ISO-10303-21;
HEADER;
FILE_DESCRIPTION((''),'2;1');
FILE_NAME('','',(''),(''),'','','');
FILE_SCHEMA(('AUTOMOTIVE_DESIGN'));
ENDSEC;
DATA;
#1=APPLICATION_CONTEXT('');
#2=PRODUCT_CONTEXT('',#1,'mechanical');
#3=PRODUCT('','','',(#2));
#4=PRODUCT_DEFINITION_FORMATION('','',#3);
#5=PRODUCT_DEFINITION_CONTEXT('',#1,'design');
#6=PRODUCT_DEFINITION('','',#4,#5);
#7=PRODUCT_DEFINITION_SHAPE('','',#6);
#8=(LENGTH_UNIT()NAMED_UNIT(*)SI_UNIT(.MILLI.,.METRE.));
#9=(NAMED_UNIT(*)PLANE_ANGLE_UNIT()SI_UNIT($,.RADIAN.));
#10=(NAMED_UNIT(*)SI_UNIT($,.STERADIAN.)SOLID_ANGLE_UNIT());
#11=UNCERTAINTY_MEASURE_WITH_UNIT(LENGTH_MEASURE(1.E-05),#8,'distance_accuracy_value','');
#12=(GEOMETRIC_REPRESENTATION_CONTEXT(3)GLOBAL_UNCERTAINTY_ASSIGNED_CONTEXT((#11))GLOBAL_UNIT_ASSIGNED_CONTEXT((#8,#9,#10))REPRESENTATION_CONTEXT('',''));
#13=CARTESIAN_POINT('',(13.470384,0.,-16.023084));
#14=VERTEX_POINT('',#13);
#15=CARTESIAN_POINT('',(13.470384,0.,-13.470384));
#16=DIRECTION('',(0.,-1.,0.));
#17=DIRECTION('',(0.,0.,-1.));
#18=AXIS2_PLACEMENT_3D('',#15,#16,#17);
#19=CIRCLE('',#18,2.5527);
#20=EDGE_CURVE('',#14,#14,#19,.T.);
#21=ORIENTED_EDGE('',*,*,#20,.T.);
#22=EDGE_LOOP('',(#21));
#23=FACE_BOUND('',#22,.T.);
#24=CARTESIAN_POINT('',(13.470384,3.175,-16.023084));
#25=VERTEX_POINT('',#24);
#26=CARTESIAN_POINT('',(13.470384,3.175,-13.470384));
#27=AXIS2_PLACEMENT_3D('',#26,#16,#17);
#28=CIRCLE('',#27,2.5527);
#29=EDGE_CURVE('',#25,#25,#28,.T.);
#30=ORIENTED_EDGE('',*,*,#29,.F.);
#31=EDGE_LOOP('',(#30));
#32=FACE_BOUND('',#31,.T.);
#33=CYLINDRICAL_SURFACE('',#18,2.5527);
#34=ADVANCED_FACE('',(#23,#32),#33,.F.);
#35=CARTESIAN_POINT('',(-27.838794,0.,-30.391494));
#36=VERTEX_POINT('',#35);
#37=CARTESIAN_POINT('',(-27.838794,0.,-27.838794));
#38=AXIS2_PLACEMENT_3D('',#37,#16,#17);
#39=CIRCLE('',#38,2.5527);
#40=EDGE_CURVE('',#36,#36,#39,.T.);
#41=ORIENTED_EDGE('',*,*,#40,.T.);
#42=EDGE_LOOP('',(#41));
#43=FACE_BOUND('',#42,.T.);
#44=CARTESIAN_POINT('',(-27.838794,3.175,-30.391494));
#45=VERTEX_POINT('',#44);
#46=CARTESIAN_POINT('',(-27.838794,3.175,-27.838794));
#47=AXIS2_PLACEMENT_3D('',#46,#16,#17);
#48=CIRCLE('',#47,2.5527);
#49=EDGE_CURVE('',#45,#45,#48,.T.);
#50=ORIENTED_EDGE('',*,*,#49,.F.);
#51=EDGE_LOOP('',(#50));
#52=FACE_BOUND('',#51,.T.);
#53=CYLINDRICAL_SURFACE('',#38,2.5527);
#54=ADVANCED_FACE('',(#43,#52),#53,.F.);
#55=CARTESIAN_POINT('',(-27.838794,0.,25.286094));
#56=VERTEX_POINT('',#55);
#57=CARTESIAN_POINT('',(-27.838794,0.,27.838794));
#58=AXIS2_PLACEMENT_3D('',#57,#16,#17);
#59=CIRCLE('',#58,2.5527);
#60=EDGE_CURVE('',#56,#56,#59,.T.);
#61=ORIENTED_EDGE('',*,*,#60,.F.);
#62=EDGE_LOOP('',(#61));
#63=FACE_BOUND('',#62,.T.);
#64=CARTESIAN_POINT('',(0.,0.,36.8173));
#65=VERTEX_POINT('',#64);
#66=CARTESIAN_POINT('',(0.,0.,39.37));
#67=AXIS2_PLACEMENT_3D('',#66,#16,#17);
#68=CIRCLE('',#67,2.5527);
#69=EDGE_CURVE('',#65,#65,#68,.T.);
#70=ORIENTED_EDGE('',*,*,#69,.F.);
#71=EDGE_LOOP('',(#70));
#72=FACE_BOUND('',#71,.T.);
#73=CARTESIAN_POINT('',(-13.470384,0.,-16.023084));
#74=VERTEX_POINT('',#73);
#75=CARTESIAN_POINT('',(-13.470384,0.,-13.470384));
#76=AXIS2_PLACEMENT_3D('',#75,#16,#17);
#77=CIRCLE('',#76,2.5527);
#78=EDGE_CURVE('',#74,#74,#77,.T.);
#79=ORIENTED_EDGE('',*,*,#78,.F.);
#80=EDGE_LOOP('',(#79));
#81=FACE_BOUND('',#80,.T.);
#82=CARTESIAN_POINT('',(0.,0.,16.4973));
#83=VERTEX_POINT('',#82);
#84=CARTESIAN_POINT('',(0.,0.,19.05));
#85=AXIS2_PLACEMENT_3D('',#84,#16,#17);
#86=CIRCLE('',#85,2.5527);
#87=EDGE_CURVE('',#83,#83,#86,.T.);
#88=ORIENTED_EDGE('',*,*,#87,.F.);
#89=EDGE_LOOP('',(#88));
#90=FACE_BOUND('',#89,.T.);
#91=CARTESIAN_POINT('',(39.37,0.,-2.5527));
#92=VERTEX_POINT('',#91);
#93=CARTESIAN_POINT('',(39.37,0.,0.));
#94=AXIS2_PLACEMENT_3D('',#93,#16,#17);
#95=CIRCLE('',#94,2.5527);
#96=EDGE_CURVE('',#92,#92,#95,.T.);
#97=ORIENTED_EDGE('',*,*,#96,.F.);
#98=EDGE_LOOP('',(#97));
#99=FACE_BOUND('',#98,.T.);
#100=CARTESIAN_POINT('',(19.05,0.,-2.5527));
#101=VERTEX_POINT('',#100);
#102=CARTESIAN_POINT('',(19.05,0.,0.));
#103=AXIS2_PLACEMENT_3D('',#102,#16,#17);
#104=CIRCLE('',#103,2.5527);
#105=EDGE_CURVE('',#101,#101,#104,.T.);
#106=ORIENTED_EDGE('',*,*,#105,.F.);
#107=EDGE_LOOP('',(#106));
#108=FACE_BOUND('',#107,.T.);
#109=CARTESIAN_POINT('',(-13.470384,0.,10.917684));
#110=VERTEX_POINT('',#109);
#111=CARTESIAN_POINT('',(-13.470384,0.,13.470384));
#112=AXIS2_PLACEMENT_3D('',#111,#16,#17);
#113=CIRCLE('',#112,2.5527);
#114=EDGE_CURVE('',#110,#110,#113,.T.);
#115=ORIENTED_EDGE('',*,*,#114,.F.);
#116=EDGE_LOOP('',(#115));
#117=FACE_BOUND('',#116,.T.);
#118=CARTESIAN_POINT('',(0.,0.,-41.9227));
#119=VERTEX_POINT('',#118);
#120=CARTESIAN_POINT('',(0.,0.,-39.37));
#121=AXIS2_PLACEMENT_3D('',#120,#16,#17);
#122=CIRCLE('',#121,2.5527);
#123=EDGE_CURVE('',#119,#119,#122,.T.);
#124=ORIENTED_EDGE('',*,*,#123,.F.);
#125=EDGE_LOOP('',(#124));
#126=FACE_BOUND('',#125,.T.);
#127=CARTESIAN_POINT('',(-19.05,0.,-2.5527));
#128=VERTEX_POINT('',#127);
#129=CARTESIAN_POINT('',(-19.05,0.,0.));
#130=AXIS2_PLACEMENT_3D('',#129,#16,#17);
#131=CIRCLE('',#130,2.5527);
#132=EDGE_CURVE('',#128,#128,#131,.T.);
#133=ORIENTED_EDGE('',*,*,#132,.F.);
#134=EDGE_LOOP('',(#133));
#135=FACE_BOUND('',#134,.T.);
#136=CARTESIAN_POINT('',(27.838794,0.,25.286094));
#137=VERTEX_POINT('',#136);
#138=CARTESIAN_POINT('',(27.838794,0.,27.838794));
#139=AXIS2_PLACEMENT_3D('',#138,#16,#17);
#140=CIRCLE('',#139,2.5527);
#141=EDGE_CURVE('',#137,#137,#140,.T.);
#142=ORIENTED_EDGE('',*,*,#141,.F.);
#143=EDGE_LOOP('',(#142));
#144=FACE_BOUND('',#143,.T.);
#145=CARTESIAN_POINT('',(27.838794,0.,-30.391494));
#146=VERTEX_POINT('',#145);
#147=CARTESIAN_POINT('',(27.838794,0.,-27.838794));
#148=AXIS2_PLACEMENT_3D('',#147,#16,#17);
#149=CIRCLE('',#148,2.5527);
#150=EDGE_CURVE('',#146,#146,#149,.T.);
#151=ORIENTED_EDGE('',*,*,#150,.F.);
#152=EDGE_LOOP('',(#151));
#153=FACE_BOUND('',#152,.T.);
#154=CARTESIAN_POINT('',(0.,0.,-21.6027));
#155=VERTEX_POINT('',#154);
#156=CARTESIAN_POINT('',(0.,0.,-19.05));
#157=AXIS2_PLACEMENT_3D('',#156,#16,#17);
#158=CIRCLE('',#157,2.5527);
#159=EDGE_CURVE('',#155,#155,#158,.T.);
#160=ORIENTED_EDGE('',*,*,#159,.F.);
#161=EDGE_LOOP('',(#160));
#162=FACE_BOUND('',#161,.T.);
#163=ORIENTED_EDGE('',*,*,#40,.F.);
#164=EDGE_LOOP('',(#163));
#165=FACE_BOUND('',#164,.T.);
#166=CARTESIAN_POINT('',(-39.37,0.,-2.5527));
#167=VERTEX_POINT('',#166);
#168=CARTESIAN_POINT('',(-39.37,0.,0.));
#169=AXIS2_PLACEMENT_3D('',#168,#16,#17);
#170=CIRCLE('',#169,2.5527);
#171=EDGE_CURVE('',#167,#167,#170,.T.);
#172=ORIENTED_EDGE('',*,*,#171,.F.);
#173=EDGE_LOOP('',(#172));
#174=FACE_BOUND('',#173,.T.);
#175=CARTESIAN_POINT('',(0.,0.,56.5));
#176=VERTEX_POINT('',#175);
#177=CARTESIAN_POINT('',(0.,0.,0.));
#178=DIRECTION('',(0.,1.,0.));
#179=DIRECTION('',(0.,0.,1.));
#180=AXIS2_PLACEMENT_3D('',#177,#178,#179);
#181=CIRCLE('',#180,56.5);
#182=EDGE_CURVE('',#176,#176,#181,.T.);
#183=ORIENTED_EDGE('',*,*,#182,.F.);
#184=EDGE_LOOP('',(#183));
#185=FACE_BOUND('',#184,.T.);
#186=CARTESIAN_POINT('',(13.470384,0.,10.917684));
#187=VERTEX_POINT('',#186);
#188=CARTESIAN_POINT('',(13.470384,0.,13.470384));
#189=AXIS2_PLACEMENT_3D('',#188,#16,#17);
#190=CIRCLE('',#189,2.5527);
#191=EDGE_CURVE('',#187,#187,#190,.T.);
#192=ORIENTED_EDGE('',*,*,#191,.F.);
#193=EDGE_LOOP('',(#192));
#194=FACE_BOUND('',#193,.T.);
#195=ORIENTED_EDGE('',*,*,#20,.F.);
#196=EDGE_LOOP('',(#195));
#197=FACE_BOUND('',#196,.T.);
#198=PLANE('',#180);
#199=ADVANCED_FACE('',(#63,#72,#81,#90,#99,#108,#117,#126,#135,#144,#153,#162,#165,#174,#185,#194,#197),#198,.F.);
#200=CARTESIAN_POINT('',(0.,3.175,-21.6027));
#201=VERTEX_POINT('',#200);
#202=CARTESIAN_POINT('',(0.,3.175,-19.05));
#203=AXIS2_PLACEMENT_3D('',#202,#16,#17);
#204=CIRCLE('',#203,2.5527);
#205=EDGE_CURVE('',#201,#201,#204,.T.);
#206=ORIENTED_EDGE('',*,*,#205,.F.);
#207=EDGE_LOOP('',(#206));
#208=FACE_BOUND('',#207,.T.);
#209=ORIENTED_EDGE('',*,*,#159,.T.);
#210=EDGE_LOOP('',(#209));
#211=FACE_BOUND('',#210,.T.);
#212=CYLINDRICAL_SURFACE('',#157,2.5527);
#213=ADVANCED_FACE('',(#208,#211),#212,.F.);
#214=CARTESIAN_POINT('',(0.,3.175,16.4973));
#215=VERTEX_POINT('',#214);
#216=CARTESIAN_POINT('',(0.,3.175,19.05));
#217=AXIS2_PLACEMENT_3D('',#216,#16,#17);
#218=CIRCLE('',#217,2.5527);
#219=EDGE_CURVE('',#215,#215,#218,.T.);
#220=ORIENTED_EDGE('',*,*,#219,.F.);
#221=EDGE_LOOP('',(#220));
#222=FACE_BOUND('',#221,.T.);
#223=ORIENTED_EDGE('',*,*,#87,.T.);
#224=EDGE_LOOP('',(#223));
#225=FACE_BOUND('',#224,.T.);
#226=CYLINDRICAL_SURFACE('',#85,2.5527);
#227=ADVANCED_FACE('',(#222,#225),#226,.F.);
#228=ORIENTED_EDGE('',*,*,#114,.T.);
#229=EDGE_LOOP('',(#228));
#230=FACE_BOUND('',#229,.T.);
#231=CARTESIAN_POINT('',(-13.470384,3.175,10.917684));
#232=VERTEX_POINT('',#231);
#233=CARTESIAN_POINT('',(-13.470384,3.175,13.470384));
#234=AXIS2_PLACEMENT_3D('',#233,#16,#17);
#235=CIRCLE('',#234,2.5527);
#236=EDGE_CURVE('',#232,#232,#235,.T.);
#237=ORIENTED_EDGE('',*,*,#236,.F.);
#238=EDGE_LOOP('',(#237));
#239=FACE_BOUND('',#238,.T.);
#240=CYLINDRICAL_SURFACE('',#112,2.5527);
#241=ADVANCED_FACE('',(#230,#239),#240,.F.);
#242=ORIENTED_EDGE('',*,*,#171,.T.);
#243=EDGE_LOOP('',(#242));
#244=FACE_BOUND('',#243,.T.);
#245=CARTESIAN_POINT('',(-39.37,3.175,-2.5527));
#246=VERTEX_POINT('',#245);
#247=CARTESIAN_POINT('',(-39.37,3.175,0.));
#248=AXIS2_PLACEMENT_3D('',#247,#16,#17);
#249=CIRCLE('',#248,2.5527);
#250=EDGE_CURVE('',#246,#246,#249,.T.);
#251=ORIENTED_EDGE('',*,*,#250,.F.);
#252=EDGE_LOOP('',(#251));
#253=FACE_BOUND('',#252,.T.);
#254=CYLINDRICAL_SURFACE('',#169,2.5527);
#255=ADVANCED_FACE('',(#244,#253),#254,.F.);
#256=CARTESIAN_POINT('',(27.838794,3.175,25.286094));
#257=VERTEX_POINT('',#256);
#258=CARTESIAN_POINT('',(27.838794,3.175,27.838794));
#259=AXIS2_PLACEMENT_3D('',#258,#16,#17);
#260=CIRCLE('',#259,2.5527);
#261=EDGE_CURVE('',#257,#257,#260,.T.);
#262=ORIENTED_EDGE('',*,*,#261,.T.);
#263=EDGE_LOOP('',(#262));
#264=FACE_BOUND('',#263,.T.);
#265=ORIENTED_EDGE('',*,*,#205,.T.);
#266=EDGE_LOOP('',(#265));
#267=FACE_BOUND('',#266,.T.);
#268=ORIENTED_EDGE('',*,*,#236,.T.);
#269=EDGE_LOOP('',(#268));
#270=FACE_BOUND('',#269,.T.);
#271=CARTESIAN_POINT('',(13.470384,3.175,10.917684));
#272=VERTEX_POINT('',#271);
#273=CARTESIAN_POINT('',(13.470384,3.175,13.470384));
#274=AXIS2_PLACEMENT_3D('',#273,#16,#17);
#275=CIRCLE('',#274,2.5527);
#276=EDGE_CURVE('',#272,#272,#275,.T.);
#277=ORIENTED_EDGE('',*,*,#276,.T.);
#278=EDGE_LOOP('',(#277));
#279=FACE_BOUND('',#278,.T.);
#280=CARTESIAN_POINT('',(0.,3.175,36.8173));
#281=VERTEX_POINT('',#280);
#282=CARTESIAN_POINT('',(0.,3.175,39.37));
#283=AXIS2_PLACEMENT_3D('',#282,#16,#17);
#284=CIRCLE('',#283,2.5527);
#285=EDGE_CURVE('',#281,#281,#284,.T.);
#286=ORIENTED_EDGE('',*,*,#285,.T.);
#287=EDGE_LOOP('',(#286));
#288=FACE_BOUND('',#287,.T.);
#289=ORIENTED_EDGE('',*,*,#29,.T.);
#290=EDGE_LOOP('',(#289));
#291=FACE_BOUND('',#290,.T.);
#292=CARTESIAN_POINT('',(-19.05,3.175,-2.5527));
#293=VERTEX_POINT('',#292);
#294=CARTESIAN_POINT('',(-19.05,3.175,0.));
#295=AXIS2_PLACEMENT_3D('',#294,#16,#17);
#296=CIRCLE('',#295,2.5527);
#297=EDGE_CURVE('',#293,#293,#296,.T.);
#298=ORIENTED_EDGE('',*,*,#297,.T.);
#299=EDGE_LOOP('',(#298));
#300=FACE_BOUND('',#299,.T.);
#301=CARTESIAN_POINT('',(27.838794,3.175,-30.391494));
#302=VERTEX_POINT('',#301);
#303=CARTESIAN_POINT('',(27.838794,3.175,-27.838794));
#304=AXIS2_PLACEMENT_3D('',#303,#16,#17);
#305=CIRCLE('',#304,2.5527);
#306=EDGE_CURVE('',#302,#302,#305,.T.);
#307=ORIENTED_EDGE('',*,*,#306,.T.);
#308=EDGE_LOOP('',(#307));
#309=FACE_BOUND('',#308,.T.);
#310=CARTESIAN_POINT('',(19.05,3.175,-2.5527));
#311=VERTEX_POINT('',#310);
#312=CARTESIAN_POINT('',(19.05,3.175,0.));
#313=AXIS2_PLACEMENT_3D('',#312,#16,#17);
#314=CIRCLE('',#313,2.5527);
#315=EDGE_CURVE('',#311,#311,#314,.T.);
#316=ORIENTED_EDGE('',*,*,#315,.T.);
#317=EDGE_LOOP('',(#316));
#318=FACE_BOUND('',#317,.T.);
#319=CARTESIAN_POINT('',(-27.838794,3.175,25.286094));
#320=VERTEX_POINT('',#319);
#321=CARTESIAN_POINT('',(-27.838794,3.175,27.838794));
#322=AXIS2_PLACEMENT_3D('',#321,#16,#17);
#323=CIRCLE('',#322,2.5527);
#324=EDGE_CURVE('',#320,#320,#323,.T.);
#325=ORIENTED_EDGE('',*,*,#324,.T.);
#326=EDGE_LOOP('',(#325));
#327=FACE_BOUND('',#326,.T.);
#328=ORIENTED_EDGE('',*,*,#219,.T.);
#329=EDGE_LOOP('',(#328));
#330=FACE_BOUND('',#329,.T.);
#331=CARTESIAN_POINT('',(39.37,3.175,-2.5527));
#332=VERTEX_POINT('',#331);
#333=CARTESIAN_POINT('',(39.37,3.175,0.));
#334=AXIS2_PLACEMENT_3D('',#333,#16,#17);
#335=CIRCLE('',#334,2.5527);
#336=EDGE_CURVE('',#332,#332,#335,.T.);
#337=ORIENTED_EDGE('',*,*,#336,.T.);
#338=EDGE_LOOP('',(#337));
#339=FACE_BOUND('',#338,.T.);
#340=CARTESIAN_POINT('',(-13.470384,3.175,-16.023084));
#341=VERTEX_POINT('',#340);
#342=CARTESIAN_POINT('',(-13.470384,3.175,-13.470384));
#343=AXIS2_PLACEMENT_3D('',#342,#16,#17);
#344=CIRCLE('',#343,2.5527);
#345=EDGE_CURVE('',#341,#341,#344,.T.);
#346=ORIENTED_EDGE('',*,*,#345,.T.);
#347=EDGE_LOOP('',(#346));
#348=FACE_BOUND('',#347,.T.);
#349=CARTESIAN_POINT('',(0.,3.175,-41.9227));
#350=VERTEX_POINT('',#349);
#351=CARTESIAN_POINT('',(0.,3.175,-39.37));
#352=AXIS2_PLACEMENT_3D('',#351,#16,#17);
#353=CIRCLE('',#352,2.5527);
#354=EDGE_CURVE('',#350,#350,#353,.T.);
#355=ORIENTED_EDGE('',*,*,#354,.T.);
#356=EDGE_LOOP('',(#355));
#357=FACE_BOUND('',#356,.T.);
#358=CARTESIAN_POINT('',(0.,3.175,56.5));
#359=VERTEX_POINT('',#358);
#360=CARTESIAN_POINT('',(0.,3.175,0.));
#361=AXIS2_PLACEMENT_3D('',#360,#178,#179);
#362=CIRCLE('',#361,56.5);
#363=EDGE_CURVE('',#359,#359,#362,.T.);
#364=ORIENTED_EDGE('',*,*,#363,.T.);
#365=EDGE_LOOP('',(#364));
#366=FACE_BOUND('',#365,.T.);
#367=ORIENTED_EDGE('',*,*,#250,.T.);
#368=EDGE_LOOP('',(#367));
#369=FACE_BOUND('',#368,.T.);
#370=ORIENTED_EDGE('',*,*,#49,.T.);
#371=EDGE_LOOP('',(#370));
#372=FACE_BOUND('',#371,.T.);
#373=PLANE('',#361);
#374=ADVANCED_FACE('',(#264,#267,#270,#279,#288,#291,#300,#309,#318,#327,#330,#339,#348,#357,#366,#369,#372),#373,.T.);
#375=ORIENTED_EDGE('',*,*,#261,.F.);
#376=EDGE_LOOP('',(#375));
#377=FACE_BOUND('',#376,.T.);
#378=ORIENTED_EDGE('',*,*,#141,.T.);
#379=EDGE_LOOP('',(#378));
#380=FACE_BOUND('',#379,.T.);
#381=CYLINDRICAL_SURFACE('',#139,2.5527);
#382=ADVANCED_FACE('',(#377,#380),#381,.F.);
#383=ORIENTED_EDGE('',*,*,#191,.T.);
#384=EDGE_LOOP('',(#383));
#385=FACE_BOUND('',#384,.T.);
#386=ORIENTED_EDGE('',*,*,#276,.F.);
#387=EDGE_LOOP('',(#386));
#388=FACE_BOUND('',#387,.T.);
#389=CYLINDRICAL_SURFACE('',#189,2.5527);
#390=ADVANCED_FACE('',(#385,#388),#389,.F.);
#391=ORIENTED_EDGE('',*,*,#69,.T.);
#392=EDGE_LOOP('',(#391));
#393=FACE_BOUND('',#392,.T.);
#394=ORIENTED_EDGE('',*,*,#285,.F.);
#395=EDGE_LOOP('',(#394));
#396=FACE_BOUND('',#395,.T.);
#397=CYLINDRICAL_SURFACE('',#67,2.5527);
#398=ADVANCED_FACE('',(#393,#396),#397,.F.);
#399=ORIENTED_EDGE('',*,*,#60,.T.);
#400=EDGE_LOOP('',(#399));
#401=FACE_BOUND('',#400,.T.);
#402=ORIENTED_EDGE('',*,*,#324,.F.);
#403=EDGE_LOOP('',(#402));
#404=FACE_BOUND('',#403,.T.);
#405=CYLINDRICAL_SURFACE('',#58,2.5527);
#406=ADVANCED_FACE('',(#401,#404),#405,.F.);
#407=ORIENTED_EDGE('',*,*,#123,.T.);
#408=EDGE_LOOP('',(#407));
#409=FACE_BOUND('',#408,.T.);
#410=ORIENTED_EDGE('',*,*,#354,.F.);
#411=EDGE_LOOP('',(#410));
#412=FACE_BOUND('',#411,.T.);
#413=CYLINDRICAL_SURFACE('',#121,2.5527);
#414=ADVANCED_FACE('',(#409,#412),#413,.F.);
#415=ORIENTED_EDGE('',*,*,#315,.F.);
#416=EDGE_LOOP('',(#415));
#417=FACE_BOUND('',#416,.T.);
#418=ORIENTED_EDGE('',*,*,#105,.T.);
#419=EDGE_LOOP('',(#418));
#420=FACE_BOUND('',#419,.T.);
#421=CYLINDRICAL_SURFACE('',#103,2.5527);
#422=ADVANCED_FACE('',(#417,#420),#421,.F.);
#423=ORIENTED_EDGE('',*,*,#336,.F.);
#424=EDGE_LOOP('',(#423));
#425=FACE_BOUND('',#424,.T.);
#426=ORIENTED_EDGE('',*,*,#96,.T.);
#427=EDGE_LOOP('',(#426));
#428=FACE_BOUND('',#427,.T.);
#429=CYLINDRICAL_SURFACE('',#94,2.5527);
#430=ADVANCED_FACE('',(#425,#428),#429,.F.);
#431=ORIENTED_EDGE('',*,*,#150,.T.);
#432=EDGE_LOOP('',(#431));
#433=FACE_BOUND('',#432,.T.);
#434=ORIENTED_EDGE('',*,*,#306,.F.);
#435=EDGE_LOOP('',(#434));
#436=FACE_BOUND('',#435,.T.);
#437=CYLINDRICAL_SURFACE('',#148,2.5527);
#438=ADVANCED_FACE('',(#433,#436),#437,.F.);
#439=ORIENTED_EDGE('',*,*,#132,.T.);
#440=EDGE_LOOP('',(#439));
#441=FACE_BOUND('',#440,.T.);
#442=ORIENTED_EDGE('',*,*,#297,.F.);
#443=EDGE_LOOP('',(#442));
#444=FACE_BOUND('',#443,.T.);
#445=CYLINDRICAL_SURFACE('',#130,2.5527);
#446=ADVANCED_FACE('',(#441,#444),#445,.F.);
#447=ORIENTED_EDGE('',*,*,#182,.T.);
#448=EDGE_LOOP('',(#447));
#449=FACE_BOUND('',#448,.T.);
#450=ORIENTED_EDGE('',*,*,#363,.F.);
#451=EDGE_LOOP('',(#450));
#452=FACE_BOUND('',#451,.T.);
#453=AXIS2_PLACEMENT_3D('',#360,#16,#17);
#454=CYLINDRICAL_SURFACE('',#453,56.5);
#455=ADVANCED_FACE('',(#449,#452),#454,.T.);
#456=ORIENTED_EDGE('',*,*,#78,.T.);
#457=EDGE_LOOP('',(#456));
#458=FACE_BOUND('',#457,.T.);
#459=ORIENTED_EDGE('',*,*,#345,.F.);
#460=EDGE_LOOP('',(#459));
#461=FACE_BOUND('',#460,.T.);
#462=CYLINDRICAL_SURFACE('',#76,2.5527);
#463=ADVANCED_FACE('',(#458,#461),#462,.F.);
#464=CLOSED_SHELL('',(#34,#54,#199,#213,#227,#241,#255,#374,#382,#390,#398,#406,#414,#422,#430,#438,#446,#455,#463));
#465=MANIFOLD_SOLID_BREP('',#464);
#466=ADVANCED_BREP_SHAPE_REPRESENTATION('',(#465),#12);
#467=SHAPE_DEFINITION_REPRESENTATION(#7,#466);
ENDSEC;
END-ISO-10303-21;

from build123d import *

# Parameters (mm, degrees)
SKETCH1_R               = 56.5
SKETCH1_R_2             = 2.5527
BOSS_EXTRUDE1_DEPTH     = 3.175
F_1_4_20_TAPPED_HOLE1_D = 5.1054


with BuildPart() as part:
    # Sketch1 → Boss-Extrude1 (new body)
    # profile 1 of 9: a face of its own
    with BuildSketch(Plane(origin=(0, 0, 0), x_dir=(1, 0, 0), z_dir=(0, 1, 0))):
        with Locations(Location((0, 0, 0), (0, 0, 270))):
            Circle(SKETCH1_R)
        with Locations((-13.470384182, 13.470384182)):
            Circle(SKETCH1_R_2, mode=Mode.SUBTRACT)
        with Locations((-19.05, 0)):
            Circle(SKETCH1_R_2, mode=Mode.SUBTRACT)
        with Locations((-13.470384182, -13.470384182)):
            Circle(SKETCH1_R_2, mode=Mode.SUBTRACT)
        with Locations((0, -19.05)):
            Circle(SKETCH1_R_2, mode=Mode.SUBTRACT)
        with Locations((13.470384182, -13.470384182)):
            Circle(SKETCH1_R_2, mode=Mode.SUBTRACT)
        with Locations((19.05, 0)):
            Circle(SKETCH1_R_2, mode=Mode.SUBTRACT)
        with Locations((13.470384182, 13.470384182)):
            Circle(SKETCH1_R_2, mode=Mode.SUBTRACT)
        with Locations((0, 19.05)):
            Circle(SKETCH1_R_2, mode=Mode.SUBTRACT)
    # profile 2 of 9: a face of its own
    with BuildSketch(Plane(origin=(0, 0, 0), x_dir=(1, 0, 0), z_dir=(0, 1, 0))):
        with Locations((13.470384182, 13.470384182)):
            Circle(SKETCH1_R_2)
    # profile 3 of 9: a face of its own
    with BuildSketch(Plane(origin=(0, 0, 0), x_dir=(1, 0, 0), z_dir=(0, 1, 0))):
        with Locations((0, 19.05)):
            Circle(SKETCH1_R_2)
    # profile 4 of 9: a face of its own
    with BuildSketch(Plane(origin=(0, 0, 0), x_dir=(1, 0, 0), z_dir=(0, 1, 0))):
        with Locations((19.05, 0)):
            Circle(SKETCH1_R_2)
    # profile 5 of 9: a face of its own
    with BuildSketch(Plane(origin=(0, 0, 0), x_dir=(1, 0, 0), z_dir=(0, 1, 0))):
        with Locations((13.470384182, -13.470384182)):
            Circle(SKETCH1_R_2)
    # profile 6 of 9: a face of its own
    with BuildSketch(Plane(origin=(0, 0, 0), x_dir=(1, 0, 0), z_dir=(0, 1, 0))):
        with Locations((0, -19.05)):
            Circle(SKETCH1_R_2)
    # profile 7 of 9: a face of its own
    with BuildSketch(Plane(origin=(0, 0, 0), x_dir=(1, 0, 0), z_dir=(0, 1, 0))):
        with Locations((-13.470384182, -13.470384182)):
            Circle(SKETCH1_R_2)
    # profile 8 of 9: a face of its own
    with BuildSketch(Plane(origin=(0, 0, 0), x_dir=(1, 0, 0), z_dir=(0, 1, 0))):
        with Locations((-13.470384182, 13.470384182)):
            Circle(SKETCH1_R_2)
    # profile 9 of 9: a face of its own
    with BuildSketch(Plane(origin=(0, 0, 0), x_dir=(1, 0, 0), z_dir=(0, 1, 0))):
        with Locations((-19.05, 0)):
            Circle(SKETCH1_R_2)
    extrude(amount=BOSS_EXTRUDE1_DEPTH)

    # 1/4-20 Tapped Hole1 (through all)
    with Locations(Plane(origin=(13.470384182, 0, -13.470384182), x_dir=(0, 0, -1), z_dir=(0, -1, 0))):
        with Locations((0, 0), (-13.470384182, 5.579615818), (-26.940768364, 0), (-32.520384182, -13.470384182), (-26.940768364, -26.940768364), (-13.470384182, -32.520384182), (0, -26.940768364), (5.579615818, -13.470384182), (25.899615818, -13.470384182), (14.368409793, -41.309178157), (-13.470384182, -52.840384182), (-41.309178157, -41.309178157), (-52.840384182, -13.470384182), (-41.309178157, 14.368409793), (-13.470384182, 25.899615818), (14.368409793, 14.368409793)):
            Hole(F_1_4_20_TAPPED_HOLE1_D / 2)


solid = part.part
